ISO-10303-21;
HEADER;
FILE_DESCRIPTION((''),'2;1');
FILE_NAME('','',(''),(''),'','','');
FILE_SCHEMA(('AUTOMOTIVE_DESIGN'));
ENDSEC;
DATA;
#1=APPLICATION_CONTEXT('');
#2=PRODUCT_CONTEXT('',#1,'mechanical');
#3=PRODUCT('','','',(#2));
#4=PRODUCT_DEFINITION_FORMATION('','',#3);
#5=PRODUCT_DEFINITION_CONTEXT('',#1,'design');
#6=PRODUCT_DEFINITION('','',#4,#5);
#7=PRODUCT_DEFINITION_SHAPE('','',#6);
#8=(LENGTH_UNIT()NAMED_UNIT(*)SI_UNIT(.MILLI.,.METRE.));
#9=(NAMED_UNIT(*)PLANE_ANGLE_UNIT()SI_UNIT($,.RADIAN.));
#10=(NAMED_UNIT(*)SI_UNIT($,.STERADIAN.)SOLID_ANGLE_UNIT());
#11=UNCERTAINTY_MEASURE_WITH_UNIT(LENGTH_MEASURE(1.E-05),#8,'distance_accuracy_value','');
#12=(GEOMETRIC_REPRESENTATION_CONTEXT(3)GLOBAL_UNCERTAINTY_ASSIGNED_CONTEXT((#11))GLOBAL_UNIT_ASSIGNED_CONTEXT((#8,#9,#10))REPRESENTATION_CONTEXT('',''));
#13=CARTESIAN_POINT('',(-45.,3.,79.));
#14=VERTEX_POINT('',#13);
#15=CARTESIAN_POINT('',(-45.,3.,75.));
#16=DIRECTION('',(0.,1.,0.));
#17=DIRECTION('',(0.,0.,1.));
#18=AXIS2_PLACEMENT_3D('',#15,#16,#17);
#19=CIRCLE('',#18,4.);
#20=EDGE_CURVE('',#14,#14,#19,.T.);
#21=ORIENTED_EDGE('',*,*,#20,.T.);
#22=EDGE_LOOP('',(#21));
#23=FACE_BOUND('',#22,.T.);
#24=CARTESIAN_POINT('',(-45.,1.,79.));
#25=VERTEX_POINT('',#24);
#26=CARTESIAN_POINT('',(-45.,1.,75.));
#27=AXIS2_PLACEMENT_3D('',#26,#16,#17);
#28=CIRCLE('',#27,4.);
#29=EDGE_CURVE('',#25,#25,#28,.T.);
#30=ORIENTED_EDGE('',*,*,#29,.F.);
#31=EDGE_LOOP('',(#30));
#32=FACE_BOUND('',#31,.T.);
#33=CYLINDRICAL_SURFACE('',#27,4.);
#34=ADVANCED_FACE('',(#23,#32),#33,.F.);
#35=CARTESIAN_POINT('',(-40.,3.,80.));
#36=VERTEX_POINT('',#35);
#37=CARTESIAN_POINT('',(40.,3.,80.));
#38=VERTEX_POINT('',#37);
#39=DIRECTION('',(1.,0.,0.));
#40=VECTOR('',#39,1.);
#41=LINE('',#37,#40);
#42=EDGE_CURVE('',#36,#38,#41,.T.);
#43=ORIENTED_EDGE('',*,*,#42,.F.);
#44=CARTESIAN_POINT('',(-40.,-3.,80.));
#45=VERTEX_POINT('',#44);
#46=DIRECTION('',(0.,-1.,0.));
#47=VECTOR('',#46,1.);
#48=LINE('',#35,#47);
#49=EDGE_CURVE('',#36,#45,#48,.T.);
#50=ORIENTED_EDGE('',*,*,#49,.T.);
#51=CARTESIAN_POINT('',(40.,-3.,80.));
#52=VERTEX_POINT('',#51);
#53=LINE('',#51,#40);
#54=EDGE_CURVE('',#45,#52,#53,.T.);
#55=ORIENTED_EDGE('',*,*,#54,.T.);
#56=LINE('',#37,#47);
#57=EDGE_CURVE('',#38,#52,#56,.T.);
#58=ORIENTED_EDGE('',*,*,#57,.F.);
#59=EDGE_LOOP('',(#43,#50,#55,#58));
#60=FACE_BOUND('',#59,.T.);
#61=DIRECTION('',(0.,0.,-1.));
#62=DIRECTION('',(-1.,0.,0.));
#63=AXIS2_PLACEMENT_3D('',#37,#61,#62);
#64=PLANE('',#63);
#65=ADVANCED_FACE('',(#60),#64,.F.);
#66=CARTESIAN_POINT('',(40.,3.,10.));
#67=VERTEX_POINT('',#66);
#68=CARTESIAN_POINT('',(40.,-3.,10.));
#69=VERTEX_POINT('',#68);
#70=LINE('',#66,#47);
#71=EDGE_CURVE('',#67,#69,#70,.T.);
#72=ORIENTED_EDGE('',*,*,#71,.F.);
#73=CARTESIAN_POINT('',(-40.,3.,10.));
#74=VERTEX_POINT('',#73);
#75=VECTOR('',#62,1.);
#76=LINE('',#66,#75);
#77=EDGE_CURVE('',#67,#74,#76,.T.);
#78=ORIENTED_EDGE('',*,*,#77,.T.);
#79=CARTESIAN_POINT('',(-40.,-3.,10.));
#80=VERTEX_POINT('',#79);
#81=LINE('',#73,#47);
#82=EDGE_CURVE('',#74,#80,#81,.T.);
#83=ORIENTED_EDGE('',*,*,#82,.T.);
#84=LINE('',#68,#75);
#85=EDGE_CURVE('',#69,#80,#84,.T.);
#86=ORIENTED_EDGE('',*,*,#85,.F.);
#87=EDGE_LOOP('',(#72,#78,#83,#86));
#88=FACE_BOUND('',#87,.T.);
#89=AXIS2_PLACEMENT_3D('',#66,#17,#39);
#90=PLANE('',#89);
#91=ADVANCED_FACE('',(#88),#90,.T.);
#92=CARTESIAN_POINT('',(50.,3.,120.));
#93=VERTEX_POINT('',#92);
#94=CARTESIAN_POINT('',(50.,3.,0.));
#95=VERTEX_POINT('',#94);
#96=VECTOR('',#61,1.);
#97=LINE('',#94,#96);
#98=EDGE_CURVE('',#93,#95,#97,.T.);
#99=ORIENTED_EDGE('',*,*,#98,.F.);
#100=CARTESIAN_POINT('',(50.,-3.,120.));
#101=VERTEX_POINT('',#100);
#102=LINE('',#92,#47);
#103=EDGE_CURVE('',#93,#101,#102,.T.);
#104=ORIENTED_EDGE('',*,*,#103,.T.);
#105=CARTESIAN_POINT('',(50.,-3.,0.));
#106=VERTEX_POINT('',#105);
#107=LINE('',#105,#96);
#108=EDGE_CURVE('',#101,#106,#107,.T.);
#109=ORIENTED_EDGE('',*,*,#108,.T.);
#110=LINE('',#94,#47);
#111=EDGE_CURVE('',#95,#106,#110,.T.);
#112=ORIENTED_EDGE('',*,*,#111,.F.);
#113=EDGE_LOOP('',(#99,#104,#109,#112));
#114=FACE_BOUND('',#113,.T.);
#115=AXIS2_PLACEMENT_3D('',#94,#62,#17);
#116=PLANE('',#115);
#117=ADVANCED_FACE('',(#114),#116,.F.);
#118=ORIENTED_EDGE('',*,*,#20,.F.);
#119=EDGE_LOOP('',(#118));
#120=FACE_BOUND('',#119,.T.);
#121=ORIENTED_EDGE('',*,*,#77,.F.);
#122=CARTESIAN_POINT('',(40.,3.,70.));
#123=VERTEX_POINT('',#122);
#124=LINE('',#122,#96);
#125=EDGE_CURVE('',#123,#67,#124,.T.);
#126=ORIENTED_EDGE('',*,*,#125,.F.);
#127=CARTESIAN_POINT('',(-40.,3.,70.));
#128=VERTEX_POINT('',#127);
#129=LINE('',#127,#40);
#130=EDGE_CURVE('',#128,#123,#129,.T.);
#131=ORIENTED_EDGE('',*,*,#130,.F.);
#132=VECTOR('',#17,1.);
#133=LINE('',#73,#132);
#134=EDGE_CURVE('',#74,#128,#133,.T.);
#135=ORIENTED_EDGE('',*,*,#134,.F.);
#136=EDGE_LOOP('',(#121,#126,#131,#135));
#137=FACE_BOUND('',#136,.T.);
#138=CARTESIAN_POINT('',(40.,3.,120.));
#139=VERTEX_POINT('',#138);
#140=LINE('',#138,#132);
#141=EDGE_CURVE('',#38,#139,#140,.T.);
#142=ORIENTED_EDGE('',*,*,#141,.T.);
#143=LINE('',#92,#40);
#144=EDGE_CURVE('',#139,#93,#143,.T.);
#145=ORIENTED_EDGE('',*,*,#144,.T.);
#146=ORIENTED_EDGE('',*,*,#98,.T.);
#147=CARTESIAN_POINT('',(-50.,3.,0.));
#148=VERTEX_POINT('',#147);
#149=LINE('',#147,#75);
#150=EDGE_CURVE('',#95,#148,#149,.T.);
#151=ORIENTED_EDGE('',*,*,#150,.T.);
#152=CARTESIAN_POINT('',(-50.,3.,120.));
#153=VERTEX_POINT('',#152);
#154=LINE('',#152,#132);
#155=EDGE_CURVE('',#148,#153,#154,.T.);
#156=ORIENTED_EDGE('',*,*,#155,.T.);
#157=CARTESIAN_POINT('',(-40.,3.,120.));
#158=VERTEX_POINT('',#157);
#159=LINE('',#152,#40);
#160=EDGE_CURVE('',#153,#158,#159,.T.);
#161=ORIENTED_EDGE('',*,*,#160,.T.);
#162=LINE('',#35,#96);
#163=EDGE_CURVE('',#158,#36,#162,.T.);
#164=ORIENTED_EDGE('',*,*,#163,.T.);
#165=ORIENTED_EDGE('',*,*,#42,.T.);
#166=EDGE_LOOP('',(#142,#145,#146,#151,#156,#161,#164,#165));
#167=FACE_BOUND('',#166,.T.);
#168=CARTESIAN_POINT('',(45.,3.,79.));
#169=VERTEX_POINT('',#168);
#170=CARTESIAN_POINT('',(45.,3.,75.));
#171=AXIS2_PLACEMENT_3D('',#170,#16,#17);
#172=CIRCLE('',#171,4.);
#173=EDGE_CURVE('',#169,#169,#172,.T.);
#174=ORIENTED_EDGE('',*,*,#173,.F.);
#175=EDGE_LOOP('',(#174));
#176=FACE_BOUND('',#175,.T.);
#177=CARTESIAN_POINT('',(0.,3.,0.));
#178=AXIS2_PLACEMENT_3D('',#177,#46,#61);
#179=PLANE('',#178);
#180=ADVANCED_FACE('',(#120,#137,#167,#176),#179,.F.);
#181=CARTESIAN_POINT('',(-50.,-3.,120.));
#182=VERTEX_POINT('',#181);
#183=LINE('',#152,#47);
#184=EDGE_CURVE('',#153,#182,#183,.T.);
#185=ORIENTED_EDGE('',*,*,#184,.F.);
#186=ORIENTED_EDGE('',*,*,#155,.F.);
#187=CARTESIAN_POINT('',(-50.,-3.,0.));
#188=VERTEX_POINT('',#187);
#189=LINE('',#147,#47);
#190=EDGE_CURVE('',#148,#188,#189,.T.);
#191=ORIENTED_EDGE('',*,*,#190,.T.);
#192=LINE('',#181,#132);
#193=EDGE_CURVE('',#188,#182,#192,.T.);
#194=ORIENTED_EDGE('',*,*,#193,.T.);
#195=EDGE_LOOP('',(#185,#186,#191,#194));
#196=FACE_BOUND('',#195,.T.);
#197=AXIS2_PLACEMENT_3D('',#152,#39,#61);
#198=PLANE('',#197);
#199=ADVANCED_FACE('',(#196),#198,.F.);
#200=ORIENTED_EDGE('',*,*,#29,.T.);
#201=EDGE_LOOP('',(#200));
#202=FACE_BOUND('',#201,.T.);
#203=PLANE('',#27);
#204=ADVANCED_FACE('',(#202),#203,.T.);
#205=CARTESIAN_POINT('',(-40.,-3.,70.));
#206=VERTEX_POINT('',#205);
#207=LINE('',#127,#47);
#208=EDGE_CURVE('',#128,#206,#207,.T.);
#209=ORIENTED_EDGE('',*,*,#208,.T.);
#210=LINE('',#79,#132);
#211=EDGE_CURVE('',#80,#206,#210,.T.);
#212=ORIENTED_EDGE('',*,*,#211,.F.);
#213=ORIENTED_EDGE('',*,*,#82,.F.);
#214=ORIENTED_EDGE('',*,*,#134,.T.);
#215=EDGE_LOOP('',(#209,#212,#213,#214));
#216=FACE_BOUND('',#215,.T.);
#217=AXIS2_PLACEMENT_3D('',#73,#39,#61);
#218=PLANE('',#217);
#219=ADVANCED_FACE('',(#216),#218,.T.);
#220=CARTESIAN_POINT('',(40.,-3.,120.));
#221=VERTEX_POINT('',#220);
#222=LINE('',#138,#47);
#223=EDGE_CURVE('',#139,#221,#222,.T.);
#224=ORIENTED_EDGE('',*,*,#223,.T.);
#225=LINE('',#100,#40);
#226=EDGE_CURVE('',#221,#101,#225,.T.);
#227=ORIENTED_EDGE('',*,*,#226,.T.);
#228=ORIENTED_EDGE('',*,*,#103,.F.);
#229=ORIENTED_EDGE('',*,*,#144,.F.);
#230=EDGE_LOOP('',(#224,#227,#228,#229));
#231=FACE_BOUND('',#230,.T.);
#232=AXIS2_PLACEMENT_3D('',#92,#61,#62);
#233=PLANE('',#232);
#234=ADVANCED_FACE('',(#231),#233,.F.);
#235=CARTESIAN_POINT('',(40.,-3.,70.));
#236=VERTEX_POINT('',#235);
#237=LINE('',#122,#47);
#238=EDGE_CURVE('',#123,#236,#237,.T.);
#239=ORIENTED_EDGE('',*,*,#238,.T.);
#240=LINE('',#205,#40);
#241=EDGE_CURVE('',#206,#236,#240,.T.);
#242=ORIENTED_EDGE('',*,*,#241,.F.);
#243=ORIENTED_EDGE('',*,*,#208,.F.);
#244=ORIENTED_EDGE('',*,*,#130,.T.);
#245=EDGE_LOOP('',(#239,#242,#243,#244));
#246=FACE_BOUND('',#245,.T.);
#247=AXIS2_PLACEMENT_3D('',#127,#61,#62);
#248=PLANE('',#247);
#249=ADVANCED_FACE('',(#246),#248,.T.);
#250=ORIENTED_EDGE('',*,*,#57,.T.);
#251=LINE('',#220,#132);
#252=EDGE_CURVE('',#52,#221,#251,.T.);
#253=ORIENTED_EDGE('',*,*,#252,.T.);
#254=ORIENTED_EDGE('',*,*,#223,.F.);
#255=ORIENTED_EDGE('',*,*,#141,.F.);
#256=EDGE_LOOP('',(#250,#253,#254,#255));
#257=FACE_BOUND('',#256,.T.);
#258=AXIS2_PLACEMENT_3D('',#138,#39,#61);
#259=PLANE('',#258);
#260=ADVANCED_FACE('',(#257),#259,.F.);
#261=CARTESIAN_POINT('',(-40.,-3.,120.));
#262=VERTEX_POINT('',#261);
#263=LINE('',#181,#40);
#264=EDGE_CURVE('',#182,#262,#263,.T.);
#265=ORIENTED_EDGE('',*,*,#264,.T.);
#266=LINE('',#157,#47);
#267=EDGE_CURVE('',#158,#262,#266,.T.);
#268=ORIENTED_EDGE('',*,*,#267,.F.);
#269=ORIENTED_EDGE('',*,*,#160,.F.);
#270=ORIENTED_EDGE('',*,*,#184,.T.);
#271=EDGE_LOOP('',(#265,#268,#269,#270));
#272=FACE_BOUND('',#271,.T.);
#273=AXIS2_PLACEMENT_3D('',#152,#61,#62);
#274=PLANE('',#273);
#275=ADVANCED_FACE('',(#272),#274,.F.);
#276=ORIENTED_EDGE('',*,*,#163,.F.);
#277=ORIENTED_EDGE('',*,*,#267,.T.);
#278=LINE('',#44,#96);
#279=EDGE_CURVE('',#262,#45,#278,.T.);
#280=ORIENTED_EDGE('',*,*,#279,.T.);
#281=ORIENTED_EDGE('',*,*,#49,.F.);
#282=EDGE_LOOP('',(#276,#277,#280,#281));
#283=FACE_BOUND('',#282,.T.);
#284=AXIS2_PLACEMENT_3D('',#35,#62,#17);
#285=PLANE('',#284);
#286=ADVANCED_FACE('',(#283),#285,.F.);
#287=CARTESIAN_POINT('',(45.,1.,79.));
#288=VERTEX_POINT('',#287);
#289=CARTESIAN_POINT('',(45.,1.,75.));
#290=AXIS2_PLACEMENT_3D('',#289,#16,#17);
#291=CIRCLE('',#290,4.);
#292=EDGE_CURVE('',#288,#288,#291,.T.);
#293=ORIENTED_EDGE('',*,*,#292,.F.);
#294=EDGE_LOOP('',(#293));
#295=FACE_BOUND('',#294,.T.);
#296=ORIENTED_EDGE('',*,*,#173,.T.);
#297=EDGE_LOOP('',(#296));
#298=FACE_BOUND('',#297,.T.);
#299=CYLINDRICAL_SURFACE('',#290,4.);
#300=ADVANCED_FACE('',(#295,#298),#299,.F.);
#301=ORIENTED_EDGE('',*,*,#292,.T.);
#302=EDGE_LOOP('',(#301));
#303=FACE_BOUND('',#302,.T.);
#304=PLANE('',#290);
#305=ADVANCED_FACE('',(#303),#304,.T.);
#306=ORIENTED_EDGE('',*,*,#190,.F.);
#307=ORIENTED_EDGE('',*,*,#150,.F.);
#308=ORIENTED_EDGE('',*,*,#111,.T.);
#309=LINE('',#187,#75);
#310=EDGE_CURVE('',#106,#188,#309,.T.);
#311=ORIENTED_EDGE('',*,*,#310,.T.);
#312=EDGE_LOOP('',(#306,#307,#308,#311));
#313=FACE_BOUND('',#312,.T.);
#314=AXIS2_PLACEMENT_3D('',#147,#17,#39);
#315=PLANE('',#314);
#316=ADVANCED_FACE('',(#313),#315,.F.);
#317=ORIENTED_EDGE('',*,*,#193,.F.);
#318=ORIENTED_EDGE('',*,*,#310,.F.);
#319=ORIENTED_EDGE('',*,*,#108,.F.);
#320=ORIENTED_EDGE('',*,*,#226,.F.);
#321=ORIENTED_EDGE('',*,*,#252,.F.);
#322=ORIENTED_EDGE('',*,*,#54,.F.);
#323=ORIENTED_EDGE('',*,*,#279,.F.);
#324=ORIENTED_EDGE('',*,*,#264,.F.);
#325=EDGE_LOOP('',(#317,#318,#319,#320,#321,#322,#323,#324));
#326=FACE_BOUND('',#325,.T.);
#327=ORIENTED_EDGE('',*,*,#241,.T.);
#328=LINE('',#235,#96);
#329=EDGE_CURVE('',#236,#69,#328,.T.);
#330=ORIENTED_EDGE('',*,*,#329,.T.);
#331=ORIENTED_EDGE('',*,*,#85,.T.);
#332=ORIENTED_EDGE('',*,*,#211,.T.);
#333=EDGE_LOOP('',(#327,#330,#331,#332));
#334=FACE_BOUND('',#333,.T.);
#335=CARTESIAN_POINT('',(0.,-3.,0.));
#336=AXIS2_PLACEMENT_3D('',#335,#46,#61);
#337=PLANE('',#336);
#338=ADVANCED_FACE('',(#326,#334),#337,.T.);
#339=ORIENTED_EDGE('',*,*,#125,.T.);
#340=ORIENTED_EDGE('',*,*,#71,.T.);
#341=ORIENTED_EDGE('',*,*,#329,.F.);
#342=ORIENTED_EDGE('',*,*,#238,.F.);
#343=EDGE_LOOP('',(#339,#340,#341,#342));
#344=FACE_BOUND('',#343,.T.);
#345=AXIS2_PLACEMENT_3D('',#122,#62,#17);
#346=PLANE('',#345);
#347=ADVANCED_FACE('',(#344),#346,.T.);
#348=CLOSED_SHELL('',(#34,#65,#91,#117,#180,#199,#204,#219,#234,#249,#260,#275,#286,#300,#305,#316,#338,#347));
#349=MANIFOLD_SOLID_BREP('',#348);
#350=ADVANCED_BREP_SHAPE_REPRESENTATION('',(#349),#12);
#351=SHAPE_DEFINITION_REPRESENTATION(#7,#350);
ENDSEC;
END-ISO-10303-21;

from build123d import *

# Parameters (mm, degrees)
SKETCH1_W           = 80
SKETCH1_H           = 60
BOSS_EXTRUDE1_DEPTH = 3
SKETCH2_R           = 4
CUT_EXTRUDE1_DEPTH  = 2


with BuildPart() as part:
    # Sketch1 → Boss-Extrude1 (new, symmetric)
    with BuildSketch(Plane(origin=(0, 0, 0), x_dir=(1, 0, 0), z_dir=(0, 1, 0))):
        Polygon((-50, 0), (50, 0), (50, -120), (40, -120), (40, -80), (-40, -80), (-40, -120), (-50, -120), align=None)
        with Locations((0, -40)):
            Rectangle(SKETCH1_W, SKETCH1_H, mode=Mode.SUBTRACT)
    extrude(amount=BOSS_EXTRUDE1_DEPTH, both=True)

    # Sketch2 → Cut-Extrude1 (cut)
    with BuildSketch(Plane(origin=(0, 3, 0), x_dir=(1, 0, 0), z_dir=(0, 1, 0))):
        with Locations(Location((-45, -75, 0), (0, 0, 270))):
            Circle(SKETCH2_R)
        with Locations(Location((45, -75, 0), (0, 0, 270))):
            Circle(SKETCH2_R)
    extrude(amount=-CUT_EXTRUDE1_DEPTH, mode=Mode.SUBTRACT)


solid = part.part
